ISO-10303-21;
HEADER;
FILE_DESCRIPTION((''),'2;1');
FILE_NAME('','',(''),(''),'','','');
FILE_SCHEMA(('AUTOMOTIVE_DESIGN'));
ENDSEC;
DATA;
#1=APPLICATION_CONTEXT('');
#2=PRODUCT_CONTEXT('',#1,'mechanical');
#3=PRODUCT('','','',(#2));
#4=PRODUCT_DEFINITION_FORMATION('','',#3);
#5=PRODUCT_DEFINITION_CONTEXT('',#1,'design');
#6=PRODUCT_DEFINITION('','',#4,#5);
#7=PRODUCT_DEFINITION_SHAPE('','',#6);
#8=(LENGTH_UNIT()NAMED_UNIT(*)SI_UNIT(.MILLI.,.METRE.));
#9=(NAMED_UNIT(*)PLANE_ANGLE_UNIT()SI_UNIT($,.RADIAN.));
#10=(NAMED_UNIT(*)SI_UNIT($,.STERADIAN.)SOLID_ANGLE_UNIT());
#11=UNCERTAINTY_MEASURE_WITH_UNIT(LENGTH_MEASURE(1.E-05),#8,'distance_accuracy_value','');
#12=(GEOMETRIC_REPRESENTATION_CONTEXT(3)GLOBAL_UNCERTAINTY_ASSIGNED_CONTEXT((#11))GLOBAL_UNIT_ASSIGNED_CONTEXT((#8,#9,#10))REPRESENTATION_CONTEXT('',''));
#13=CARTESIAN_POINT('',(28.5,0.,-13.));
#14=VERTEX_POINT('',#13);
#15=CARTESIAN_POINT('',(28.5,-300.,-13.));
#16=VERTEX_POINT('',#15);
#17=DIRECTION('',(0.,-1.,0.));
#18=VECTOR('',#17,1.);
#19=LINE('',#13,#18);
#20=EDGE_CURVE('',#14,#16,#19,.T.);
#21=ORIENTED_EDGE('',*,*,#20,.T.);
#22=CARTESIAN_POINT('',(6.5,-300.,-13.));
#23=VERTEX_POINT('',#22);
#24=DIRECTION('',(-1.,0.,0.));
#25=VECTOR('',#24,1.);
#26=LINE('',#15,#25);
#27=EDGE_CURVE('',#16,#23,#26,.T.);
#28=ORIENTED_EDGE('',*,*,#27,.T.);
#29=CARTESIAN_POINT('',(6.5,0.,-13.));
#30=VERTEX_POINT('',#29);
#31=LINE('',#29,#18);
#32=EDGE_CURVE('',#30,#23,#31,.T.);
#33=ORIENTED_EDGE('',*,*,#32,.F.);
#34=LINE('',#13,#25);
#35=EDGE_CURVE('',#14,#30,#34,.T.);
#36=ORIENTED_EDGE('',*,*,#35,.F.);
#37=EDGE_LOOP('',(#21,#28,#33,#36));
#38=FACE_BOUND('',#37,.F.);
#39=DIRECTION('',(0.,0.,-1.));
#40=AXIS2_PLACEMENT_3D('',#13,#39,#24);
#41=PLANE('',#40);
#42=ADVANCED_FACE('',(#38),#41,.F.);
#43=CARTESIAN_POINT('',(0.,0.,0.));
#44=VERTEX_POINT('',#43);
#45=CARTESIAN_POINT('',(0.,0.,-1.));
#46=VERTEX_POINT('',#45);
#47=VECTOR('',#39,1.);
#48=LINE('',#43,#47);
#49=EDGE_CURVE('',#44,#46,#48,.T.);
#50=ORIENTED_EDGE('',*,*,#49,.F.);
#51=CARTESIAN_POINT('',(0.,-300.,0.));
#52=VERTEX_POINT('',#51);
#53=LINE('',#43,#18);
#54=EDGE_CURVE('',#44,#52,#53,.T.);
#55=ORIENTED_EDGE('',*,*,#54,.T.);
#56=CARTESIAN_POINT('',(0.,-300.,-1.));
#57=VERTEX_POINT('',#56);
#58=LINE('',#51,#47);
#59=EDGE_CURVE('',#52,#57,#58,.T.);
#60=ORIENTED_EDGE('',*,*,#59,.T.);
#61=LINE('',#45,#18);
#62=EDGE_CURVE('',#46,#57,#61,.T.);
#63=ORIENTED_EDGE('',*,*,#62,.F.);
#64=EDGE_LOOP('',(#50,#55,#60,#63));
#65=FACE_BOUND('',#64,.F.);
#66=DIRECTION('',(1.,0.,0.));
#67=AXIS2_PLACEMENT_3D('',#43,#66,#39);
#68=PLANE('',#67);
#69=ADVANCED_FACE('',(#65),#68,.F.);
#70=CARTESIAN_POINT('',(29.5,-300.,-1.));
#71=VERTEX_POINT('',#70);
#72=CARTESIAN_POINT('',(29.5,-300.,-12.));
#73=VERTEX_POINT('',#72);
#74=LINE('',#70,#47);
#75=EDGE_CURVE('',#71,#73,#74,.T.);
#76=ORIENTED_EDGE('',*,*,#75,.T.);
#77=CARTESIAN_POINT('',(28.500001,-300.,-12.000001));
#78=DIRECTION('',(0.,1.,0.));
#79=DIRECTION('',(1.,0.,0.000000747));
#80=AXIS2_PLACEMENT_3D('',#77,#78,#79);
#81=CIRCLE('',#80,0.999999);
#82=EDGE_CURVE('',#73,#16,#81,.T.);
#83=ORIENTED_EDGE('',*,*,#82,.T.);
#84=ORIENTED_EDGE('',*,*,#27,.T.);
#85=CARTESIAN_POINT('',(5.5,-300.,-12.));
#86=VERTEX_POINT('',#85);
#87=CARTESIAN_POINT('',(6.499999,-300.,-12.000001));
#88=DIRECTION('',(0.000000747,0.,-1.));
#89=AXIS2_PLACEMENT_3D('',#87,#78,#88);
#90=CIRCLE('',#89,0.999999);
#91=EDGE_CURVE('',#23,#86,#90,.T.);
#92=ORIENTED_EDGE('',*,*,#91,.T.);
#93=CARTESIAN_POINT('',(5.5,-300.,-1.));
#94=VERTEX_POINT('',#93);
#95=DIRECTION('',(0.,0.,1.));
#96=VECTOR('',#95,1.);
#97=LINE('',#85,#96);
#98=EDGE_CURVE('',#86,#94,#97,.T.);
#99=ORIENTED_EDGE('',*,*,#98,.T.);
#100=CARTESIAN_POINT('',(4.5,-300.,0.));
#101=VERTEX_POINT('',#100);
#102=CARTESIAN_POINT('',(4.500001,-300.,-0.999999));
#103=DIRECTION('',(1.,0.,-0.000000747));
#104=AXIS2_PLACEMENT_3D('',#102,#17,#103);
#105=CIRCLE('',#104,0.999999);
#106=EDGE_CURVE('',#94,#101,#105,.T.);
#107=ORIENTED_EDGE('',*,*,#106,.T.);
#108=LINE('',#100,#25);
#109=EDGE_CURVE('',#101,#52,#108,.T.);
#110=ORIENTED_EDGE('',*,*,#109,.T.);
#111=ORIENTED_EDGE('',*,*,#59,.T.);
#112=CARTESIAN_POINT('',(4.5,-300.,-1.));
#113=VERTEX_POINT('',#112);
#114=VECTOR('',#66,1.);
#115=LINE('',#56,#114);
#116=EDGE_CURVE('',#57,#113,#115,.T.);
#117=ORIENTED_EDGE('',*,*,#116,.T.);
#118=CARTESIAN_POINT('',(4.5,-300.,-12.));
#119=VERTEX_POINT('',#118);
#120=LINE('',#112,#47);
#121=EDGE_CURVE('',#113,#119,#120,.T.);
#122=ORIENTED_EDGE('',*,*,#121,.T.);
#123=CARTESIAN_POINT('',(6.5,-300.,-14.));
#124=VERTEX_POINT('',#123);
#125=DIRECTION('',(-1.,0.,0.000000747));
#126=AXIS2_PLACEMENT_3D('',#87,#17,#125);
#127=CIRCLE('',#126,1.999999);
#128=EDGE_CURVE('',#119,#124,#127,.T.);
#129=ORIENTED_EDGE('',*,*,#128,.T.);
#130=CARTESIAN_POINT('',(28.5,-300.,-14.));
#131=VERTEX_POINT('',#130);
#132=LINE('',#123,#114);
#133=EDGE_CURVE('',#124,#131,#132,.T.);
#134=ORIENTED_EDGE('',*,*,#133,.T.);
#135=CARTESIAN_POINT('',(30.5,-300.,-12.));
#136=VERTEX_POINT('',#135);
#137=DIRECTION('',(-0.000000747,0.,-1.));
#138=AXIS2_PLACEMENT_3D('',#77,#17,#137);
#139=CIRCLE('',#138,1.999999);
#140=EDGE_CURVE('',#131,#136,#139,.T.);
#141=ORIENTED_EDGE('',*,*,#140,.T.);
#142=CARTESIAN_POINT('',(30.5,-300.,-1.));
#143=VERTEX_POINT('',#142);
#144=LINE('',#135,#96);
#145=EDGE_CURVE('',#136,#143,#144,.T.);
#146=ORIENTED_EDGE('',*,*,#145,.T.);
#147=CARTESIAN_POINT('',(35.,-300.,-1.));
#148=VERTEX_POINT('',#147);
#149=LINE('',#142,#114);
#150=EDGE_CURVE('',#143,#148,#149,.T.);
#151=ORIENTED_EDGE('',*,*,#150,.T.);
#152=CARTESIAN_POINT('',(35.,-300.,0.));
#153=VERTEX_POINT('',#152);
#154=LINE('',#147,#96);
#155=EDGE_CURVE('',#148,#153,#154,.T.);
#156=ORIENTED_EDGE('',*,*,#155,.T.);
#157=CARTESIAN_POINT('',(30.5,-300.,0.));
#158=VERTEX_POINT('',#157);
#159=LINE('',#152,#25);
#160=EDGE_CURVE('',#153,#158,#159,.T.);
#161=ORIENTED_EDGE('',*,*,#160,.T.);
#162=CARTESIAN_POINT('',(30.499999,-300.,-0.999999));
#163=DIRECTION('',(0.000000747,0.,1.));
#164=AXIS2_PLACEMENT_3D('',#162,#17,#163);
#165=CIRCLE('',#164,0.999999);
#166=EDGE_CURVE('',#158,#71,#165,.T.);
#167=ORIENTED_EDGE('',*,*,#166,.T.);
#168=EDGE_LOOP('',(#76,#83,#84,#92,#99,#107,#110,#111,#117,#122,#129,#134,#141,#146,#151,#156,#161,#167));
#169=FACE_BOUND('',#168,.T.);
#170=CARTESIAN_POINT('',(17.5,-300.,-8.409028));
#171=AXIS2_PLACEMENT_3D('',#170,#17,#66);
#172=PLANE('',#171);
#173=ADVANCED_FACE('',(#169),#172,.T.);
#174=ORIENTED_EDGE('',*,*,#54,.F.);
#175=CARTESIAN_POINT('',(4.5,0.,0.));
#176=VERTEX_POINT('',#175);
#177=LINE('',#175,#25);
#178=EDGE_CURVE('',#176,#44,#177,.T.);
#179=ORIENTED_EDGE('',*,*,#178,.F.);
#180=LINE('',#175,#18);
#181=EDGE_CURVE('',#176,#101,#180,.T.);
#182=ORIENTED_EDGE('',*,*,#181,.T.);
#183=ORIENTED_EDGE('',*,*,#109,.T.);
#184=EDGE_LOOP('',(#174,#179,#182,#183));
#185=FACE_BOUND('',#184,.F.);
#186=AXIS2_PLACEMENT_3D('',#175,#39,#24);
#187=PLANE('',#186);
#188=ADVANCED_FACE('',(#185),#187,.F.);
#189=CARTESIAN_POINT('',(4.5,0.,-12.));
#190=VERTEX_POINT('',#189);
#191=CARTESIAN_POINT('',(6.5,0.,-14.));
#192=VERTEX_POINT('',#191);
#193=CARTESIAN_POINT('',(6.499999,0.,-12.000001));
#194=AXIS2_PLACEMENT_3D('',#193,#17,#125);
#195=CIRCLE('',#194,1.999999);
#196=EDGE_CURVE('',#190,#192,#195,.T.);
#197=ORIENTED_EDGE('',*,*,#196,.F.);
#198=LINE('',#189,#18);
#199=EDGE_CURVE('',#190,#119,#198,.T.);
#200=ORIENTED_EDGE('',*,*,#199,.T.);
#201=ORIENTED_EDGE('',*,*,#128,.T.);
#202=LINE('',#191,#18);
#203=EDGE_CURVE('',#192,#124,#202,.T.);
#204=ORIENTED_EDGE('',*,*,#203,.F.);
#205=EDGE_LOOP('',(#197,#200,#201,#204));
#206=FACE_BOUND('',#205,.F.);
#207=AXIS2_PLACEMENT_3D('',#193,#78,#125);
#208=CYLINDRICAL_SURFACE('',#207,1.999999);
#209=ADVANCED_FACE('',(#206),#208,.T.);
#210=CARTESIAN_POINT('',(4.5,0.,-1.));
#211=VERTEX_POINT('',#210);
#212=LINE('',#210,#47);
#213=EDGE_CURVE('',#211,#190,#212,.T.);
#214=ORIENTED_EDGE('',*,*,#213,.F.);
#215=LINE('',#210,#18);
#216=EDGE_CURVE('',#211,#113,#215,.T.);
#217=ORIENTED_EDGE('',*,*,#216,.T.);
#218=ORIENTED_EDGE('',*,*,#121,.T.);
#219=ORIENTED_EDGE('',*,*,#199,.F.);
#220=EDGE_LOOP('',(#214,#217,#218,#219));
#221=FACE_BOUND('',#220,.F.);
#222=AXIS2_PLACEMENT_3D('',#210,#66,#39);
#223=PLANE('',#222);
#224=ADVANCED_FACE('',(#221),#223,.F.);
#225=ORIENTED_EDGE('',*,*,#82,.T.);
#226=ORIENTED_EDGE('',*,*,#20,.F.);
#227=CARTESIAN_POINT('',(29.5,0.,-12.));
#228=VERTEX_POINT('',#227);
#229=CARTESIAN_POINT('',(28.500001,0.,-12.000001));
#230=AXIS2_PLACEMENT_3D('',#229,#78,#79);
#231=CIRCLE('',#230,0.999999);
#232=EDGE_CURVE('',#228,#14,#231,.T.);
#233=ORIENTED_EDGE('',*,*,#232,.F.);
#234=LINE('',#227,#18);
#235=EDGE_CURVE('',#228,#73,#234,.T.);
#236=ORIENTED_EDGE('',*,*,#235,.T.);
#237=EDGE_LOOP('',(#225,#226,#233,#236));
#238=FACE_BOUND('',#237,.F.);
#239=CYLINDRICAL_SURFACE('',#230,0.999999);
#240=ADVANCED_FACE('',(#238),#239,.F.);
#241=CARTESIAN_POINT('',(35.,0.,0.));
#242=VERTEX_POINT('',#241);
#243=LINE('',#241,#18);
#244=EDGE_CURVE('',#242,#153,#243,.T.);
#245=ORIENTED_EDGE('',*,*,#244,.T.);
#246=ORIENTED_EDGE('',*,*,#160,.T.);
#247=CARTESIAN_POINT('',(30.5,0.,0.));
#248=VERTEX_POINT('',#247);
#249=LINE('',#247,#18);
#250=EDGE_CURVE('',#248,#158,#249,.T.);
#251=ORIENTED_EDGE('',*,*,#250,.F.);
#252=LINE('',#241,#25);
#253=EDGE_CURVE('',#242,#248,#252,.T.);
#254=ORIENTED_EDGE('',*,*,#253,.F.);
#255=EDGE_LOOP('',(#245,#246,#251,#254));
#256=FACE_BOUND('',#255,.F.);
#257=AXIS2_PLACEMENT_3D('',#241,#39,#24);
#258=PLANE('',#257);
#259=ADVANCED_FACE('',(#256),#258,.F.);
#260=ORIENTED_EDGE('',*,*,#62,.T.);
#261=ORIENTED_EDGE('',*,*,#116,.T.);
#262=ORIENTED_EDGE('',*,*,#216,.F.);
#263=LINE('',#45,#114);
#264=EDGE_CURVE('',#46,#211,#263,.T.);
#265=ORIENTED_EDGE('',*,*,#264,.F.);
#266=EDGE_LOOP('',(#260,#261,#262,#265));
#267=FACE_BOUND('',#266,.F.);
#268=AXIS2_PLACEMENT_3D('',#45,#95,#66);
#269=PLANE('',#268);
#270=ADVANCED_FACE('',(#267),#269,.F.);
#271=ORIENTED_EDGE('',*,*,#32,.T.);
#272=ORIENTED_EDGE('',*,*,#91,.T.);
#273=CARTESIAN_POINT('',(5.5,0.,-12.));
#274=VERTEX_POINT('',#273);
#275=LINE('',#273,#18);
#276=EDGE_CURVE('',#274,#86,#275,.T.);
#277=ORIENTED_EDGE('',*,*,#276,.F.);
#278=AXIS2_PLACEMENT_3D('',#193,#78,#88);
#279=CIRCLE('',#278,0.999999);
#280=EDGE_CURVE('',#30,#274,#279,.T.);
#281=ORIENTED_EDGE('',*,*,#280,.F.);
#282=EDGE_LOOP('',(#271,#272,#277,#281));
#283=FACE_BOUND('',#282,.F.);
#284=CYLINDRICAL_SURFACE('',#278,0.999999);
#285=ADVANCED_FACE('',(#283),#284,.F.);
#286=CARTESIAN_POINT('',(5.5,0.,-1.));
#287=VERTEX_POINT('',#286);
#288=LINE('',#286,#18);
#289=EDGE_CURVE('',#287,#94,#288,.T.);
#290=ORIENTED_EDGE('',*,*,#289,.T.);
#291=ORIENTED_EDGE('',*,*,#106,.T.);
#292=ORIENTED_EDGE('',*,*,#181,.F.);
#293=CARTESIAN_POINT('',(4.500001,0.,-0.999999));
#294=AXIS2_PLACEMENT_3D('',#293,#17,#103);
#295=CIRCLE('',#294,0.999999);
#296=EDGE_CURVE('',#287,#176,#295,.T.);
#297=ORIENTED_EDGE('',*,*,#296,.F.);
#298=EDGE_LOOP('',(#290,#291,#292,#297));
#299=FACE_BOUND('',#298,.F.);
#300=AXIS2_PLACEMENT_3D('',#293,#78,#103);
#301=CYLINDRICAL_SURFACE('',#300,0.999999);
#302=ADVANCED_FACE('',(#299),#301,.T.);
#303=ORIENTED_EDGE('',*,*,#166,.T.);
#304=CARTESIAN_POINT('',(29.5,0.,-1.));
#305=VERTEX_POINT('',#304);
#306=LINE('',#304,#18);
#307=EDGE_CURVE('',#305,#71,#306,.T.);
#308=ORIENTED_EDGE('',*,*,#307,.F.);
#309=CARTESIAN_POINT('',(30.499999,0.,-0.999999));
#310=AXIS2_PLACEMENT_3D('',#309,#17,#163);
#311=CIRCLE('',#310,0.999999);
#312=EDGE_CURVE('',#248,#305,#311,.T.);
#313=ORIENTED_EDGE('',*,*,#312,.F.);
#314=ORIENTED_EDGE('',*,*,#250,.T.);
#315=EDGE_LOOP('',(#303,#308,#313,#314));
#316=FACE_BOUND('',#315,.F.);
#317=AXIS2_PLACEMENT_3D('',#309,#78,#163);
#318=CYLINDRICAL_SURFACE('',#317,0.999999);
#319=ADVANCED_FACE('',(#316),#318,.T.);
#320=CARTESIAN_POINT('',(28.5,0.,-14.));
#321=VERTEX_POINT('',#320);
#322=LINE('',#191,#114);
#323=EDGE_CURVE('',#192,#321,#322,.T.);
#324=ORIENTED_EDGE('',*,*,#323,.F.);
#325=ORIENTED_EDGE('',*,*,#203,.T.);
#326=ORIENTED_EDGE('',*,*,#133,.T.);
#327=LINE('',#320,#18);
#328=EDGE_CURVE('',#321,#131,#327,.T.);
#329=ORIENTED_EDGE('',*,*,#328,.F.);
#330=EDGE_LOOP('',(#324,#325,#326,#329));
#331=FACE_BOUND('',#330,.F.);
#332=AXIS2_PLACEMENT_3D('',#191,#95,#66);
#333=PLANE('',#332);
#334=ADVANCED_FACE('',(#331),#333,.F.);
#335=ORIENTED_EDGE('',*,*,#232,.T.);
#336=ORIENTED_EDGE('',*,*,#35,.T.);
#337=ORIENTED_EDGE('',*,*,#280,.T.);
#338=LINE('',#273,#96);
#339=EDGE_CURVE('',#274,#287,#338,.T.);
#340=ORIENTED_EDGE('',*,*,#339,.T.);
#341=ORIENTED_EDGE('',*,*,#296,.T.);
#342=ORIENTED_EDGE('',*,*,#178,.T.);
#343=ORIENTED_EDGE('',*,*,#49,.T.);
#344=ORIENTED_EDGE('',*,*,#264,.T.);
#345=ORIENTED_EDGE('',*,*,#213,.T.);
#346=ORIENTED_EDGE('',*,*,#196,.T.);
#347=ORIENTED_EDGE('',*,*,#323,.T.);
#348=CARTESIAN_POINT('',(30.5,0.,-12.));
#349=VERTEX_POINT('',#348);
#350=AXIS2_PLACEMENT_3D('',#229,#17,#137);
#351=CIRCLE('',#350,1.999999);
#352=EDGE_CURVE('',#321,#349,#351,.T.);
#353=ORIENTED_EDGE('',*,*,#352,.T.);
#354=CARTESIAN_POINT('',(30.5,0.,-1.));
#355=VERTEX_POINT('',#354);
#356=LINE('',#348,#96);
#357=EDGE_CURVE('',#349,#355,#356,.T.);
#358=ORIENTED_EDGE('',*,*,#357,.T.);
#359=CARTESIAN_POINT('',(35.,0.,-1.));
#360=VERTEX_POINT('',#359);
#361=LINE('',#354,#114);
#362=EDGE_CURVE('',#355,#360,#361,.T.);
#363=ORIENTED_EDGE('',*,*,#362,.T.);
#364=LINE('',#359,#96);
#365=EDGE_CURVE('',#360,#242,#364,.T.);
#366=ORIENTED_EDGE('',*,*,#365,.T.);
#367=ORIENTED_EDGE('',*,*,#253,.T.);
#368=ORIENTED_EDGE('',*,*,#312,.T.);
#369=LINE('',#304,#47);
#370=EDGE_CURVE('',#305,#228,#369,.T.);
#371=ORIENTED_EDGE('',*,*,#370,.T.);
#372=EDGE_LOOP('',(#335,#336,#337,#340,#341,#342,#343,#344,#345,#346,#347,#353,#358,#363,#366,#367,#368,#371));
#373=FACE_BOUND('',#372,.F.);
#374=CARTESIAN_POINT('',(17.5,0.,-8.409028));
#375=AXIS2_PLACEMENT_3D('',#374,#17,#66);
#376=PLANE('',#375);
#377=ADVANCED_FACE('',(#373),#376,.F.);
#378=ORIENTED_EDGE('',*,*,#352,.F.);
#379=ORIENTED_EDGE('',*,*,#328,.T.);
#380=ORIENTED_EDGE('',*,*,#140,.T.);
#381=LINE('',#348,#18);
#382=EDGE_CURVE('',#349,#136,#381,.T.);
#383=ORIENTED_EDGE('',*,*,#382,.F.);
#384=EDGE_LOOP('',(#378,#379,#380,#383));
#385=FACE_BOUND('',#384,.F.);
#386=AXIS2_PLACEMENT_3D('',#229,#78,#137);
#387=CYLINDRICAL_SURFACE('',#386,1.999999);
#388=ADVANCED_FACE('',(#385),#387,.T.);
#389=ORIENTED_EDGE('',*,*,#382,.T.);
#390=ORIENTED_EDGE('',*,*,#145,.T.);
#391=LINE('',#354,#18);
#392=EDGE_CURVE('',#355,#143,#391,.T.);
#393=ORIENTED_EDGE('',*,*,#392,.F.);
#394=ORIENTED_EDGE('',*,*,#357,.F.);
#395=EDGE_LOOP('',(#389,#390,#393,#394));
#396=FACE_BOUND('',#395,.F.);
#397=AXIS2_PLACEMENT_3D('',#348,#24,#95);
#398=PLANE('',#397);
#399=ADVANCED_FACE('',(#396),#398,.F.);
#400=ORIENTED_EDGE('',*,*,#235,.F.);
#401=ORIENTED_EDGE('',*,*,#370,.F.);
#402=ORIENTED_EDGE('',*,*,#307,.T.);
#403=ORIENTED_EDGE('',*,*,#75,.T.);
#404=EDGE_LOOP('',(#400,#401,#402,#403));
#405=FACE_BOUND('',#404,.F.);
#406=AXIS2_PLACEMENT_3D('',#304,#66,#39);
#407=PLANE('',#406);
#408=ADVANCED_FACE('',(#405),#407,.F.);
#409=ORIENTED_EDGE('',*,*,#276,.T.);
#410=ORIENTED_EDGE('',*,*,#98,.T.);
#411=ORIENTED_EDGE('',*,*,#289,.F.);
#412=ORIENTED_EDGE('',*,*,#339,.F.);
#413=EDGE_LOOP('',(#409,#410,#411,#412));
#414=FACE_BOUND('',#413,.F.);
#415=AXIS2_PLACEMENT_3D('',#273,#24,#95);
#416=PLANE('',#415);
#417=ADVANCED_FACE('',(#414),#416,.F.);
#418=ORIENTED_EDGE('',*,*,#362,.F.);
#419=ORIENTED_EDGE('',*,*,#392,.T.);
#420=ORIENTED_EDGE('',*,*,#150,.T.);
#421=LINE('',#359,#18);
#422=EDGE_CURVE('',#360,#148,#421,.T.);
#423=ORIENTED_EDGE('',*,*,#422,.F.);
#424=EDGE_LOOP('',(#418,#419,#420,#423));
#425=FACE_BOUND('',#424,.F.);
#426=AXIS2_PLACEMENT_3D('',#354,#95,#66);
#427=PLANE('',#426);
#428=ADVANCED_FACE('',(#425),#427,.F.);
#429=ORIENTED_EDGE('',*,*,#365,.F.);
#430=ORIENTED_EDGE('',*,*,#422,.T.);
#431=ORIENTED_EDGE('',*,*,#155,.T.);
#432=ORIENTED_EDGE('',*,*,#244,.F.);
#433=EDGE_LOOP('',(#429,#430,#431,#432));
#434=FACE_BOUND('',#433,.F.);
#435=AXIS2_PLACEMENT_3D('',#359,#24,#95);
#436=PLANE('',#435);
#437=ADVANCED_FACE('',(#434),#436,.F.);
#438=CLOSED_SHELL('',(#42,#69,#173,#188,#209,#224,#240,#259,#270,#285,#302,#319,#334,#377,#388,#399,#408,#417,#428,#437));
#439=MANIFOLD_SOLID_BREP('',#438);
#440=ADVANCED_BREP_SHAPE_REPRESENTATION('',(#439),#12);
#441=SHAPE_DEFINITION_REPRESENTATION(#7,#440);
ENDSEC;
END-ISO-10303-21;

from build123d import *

# Parameters (mm, degrees)
F1_DEPTH = 300


with BuildPart() as f1:
    # F0 (on Front) → F1 (new body)
    with BuildSketch(Plane.XZ):
        with BuildLine():
            Line((4.5, 0), (0, 0))
            Line((0, 0), (0, -1))
            Line((0, -1), (4.5, -1))
            Line((4.5, -1), (4.5, -12))
            ThreePointArc((4.5, -12), (5.085786, -13.414214), (6.5, -14))
            Line((6.5, -14), (28.5, -14))
            ThreePointArc((28.5, -14), (29.914214, -13.414214), (30.5, -12))
            Line((30.5, -12), (30.5, -1))
            Line((30.5, -1), (35, -1))
            Line((35, -1), (35, 0))
            Line((35, 0), (30.5, 0))
            ThreePointArc((30.5, 0), (29.792893, -0.292893), (29.5, -1))
            Line((29.5, -1), (29.5, -12))
            ThreePointArc((29.5, -12), (29.207107, -12.707107), (28.5, -13))
            Line((28.5, -13), (6.5, -13))
            ThreePointArc((6.5, -13), (5.792893, -12.707107), (5.5, -12))
            Line((5.5, -12), (5.5, -1))
            ThreePointArc((5.5, -1), (5.207107, -0.292893), (4.5, 0))
        make_face()
    extrude(amount=F1_DEPTH)


solid = f1.part
